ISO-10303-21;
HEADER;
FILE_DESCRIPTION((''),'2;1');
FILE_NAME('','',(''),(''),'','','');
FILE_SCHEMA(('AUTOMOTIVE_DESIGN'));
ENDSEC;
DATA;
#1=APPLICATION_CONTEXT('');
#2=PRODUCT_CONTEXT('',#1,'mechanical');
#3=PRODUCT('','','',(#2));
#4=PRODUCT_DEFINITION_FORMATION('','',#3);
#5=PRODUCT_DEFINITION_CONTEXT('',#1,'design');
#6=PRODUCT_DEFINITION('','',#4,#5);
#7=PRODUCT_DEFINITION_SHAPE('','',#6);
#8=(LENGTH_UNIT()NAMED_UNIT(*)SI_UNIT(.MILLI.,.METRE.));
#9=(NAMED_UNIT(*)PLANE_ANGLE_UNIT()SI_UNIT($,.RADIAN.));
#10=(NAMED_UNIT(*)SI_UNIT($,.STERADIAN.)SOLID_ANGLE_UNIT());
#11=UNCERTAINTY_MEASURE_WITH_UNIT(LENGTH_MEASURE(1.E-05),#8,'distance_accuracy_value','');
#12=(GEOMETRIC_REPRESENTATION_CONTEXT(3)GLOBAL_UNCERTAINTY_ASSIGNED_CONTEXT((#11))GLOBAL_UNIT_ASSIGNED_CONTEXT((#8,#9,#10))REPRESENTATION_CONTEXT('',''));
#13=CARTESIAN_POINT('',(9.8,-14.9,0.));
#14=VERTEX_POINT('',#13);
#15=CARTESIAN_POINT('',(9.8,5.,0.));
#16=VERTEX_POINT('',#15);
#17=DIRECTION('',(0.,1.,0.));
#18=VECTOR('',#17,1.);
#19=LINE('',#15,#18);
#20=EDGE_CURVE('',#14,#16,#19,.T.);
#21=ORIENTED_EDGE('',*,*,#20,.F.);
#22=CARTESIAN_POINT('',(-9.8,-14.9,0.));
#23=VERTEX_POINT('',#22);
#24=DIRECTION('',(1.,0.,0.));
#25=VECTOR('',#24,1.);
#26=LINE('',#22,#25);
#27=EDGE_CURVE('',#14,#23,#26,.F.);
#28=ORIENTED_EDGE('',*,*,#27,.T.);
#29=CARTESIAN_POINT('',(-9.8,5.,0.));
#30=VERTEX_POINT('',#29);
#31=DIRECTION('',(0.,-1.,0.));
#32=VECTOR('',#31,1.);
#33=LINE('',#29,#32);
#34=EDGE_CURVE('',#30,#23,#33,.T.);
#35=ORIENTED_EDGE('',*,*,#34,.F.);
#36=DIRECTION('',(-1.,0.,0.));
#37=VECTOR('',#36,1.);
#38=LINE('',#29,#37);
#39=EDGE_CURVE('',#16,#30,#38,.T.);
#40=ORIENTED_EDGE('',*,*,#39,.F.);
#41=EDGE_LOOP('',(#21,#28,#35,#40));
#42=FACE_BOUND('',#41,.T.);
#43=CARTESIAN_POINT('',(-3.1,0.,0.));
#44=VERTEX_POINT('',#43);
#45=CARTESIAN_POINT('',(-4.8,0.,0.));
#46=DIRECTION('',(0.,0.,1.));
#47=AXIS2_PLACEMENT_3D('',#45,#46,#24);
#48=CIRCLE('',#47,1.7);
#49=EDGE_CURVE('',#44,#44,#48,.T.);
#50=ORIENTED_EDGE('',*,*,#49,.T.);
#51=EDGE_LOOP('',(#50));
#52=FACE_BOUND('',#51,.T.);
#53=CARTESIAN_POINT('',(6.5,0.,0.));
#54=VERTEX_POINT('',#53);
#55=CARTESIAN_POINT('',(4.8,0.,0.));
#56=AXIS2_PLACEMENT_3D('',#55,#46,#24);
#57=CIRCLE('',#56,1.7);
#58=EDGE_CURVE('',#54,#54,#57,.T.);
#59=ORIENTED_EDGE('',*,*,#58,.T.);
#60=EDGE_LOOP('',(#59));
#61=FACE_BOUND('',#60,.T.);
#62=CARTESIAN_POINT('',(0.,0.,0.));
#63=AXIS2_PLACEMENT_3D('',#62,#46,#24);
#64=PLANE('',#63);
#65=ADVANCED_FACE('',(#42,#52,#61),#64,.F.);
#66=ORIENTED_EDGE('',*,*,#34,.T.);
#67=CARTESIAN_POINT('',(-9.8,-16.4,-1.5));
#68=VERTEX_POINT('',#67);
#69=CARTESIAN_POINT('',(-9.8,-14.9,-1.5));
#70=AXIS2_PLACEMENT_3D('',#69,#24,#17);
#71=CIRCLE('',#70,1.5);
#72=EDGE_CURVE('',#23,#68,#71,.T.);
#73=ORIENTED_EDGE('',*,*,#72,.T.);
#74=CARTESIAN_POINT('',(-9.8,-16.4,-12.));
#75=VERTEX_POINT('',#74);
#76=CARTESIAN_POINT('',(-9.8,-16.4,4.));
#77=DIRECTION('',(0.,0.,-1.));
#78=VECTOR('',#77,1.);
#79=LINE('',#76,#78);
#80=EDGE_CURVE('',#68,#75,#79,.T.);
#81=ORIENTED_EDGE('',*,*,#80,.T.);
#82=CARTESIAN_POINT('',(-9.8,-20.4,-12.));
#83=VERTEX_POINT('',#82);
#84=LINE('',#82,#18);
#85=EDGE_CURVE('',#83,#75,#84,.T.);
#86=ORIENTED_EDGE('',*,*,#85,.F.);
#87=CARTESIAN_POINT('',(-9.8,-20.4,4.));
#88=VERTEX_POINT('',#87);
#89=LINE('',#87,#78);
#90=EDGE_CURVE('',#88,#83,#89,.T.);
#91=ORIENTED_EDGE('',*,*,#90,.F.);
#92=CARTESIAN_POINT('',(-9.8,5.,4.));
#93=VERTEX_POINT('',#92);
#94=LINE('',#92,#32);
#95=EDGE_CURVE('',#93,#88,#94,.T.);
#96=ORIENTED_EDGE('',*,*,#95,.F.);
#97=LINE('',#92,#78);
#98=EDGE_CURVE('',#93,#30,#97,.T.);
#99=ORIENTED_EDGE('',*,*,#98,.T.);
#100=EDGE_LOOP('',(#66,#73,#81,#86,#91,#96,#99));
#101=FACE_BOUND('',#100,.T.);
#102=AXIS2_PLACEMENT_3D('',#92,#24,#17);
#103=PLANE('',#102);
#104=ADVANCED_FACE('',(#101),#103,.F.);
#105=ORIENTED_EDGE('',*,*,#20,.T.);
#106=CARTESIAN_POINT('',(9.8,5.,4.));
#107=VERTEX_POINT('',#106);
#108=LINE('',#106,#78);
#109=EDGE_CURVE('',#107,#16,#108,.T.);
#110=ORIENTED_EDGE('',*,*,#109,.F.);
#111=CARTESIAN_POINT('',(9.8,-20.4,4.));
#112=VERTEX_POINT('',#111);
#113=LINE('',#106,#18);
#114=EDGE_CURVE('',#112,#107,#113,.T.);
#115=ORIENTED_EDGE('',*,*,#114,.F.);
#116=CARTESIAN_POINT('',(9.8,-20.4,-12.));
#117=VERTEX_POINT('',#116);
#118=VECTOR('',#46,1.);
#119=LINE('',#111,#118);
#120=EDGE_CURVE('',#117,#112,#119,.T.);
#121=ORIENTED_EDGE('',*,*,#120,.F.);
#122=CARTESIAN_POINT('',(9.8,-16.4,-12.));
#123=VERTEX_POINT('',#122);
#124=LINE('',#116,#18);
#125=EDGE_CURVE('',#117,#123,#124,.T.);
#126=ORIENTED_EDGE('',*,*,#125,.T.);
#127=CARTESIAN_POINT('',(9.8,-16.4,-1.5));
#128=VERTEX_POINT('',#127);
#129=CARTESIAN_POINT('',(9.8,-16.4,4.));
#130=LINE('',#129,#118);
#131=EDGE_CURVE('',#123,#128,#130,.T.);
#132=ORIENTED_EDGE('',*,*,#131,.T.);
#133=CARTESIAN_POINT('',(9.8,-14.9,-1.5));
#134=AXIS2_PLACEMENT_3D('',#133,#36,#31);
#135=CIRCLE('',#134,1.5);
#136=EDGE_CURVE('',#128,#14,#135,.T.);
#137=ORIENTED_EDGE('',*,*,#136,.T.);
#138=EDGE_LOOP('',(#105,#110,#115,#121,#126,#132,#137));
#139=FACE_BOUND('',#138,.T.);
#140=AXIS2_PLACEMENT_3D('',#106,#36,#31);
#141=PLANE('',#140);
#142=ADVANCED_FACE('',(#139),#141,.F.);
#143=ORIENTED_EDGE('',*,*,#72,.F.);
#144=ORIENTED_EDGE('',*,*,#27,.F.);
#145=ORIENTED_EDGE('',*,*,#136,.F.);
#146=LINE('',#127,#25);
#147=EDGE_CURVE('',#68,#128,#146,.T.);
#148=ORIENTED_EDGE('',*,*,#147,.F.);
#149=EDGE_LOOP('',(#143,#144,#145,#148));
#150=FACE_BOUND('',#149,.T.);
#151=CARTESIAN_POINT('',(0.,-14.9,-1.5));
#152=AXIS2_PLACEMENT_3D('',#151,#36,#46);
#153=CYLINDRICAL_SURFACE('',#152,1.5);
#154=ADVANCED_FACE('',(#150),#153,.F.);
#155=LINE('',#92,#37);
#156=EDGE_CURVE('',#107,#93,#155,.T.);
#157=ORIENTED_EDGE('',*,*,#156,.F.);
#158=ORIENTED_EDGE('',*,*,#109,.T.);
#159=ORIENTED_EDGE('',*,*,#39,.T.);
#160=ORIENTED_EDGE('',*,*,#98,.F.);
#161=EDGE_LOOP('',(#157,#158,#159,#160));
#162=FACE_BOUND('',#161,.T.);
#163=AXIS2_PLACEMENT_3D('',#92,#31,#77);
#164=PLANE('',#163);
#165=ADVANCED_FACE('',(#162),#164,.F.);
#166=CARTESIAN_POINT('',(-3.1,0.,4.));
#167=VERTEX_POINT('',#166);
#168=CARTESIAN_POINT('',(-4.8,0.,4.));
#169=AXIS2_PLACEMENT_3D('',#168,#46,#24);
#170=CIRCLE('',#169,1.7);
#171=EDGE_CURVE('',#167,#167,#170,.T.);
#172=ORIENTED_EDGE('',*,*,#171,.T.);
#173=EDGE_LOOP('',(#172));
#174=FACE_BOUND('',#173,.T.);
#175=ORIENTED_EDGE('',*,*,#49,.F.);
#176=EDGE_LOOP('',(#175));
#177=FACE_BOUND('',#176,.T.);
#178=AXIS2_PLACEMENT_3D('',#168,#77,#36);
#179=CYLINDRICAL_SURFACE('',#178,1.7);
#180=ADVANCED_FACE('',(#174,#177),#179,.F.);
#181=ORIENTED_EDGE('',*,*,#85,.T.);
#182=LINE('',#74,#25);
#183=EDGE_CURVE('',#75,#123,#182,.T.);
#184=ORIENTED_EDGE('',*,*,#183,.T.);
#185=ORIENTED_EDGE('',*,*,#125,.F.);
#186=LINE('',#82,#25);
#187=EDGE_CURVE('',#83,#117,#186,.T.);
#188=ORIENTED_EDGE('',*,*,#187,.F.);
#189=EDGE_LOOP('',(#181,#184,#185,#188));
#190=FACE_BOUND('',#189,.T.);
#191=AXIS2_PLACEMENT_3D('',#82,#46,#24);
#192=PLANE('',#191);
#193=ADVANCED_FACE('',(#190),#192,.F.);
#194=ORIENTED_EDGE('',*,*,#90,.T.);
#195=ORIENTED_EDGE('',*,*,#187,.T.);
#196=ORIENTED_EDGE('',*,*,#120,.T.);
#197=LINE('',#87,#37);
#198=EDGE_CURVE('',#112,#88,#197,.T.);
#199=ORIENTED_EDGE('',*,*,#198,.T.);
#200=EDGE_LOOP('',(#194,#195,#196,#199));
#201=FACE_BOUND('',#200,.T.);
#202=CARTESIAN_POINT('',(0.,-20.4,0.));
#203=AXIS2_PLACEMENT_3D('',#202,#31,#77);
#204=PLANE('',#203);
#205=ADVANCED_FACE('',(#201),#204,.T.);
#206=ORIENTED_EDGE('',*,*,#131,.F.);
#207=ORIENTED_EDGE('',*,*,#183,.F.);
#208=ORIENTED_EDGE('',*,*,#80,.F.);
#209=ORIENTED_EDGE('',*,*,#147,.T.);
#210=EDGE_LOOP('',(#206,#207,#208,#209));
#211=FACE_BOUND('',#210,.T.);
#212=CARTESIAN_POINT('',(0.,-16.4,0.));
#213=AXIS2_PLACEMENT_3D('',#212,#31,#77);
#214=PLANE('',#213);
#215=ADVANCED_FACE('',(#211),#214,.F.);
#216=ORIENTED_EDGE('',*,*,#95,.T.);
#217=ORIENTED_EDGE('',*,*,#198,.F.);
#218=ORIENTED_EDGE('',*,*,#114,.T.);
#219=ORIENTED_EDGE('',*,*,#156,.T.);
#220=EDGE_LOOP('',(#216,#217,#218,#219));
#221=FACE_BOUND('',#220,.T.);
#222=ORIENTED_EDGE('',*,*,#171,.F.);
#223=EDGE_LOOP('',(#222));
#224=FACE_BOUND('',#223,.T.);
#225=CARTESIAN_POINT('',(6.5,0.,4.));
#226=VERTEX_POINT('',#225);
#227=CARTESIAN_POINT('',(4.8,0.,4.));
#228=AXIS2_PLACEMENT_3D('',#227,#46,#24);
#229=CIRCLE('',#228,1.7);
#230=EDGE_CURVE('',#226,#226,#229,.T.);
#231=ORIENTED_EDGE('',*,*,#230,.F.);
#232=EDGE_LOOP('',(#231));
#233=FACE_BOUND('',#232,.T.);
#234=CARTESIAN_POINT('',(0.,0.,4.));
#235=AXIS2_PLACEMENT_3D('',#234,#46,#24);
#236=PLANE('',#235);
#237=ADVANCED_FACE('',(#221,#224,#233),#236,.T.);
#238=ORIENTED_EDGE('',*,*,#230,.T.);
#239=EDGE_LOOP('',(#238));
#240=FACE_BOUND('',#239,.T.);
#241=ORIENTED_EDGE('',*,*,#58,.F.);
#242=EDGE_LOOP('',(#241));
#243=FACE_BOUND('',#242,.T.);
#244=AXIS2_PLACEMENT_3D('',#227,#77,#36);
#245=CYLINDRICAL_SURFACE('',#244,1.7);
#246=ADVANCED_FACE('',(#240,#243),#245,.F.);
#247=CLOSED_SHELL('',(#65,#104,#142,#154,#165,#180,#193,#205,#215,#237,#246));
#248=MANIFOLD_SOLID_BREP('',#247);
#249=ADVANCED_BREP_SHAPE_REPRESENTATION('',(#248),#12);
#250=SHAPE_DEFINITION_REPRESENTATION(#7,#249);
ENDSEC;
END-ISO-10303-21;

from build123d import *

# Parameters (mm, degrees)
SKETCH1_W           = 19.6
SKETCH1_H           = 21.4
SKETCH1_R           = 1.7
BOSS_EXTRUDE1_DEPTH = 4
SKETCH3_W           = 19.6
SKETCH3_H           = 16
BOSS_EXTRUDE2_DEPTH = 4
FILLET1_R           = 1.5


with BuildPart() as part:
    # Sketch1 → Boss-Extrude1 (new body)
    with BuildSketch(Plane.XY):
        with Locations((0, -5.7)):
            Rectangle(SKETCH1_W, SKETCH1_H)
        with Locations((-4.8, 0)):
            Circle(SKETCH1_R, mode=Mode.SUBTRACT)
        with Locations((4.8, 0)):
            Circle(SKETCH1_R, mode=Mode.SUBTRACT)
    extrude(amount=BOSS_EXTRUDE1_DEPTH)

    # Sketch3 → Boss-Extrude2 (add)
    with BuildSketch(Plane.XZ.offset(16.4)):
        with Locations((0, -4)):
            Rectangle(SKETCH3_W, SKETCH3_H)
    extrude(amount=BOSS_EXTRUDE2_DEPTH)

    # Fillet1
    fillet1_edges = [part.edges().sort_by_distance(p)[0] for p in [
        (0, -16.4, 0),
    ]]
    fillet(fillet1_edges, radius=FILLET1_R)


solid = part.part
